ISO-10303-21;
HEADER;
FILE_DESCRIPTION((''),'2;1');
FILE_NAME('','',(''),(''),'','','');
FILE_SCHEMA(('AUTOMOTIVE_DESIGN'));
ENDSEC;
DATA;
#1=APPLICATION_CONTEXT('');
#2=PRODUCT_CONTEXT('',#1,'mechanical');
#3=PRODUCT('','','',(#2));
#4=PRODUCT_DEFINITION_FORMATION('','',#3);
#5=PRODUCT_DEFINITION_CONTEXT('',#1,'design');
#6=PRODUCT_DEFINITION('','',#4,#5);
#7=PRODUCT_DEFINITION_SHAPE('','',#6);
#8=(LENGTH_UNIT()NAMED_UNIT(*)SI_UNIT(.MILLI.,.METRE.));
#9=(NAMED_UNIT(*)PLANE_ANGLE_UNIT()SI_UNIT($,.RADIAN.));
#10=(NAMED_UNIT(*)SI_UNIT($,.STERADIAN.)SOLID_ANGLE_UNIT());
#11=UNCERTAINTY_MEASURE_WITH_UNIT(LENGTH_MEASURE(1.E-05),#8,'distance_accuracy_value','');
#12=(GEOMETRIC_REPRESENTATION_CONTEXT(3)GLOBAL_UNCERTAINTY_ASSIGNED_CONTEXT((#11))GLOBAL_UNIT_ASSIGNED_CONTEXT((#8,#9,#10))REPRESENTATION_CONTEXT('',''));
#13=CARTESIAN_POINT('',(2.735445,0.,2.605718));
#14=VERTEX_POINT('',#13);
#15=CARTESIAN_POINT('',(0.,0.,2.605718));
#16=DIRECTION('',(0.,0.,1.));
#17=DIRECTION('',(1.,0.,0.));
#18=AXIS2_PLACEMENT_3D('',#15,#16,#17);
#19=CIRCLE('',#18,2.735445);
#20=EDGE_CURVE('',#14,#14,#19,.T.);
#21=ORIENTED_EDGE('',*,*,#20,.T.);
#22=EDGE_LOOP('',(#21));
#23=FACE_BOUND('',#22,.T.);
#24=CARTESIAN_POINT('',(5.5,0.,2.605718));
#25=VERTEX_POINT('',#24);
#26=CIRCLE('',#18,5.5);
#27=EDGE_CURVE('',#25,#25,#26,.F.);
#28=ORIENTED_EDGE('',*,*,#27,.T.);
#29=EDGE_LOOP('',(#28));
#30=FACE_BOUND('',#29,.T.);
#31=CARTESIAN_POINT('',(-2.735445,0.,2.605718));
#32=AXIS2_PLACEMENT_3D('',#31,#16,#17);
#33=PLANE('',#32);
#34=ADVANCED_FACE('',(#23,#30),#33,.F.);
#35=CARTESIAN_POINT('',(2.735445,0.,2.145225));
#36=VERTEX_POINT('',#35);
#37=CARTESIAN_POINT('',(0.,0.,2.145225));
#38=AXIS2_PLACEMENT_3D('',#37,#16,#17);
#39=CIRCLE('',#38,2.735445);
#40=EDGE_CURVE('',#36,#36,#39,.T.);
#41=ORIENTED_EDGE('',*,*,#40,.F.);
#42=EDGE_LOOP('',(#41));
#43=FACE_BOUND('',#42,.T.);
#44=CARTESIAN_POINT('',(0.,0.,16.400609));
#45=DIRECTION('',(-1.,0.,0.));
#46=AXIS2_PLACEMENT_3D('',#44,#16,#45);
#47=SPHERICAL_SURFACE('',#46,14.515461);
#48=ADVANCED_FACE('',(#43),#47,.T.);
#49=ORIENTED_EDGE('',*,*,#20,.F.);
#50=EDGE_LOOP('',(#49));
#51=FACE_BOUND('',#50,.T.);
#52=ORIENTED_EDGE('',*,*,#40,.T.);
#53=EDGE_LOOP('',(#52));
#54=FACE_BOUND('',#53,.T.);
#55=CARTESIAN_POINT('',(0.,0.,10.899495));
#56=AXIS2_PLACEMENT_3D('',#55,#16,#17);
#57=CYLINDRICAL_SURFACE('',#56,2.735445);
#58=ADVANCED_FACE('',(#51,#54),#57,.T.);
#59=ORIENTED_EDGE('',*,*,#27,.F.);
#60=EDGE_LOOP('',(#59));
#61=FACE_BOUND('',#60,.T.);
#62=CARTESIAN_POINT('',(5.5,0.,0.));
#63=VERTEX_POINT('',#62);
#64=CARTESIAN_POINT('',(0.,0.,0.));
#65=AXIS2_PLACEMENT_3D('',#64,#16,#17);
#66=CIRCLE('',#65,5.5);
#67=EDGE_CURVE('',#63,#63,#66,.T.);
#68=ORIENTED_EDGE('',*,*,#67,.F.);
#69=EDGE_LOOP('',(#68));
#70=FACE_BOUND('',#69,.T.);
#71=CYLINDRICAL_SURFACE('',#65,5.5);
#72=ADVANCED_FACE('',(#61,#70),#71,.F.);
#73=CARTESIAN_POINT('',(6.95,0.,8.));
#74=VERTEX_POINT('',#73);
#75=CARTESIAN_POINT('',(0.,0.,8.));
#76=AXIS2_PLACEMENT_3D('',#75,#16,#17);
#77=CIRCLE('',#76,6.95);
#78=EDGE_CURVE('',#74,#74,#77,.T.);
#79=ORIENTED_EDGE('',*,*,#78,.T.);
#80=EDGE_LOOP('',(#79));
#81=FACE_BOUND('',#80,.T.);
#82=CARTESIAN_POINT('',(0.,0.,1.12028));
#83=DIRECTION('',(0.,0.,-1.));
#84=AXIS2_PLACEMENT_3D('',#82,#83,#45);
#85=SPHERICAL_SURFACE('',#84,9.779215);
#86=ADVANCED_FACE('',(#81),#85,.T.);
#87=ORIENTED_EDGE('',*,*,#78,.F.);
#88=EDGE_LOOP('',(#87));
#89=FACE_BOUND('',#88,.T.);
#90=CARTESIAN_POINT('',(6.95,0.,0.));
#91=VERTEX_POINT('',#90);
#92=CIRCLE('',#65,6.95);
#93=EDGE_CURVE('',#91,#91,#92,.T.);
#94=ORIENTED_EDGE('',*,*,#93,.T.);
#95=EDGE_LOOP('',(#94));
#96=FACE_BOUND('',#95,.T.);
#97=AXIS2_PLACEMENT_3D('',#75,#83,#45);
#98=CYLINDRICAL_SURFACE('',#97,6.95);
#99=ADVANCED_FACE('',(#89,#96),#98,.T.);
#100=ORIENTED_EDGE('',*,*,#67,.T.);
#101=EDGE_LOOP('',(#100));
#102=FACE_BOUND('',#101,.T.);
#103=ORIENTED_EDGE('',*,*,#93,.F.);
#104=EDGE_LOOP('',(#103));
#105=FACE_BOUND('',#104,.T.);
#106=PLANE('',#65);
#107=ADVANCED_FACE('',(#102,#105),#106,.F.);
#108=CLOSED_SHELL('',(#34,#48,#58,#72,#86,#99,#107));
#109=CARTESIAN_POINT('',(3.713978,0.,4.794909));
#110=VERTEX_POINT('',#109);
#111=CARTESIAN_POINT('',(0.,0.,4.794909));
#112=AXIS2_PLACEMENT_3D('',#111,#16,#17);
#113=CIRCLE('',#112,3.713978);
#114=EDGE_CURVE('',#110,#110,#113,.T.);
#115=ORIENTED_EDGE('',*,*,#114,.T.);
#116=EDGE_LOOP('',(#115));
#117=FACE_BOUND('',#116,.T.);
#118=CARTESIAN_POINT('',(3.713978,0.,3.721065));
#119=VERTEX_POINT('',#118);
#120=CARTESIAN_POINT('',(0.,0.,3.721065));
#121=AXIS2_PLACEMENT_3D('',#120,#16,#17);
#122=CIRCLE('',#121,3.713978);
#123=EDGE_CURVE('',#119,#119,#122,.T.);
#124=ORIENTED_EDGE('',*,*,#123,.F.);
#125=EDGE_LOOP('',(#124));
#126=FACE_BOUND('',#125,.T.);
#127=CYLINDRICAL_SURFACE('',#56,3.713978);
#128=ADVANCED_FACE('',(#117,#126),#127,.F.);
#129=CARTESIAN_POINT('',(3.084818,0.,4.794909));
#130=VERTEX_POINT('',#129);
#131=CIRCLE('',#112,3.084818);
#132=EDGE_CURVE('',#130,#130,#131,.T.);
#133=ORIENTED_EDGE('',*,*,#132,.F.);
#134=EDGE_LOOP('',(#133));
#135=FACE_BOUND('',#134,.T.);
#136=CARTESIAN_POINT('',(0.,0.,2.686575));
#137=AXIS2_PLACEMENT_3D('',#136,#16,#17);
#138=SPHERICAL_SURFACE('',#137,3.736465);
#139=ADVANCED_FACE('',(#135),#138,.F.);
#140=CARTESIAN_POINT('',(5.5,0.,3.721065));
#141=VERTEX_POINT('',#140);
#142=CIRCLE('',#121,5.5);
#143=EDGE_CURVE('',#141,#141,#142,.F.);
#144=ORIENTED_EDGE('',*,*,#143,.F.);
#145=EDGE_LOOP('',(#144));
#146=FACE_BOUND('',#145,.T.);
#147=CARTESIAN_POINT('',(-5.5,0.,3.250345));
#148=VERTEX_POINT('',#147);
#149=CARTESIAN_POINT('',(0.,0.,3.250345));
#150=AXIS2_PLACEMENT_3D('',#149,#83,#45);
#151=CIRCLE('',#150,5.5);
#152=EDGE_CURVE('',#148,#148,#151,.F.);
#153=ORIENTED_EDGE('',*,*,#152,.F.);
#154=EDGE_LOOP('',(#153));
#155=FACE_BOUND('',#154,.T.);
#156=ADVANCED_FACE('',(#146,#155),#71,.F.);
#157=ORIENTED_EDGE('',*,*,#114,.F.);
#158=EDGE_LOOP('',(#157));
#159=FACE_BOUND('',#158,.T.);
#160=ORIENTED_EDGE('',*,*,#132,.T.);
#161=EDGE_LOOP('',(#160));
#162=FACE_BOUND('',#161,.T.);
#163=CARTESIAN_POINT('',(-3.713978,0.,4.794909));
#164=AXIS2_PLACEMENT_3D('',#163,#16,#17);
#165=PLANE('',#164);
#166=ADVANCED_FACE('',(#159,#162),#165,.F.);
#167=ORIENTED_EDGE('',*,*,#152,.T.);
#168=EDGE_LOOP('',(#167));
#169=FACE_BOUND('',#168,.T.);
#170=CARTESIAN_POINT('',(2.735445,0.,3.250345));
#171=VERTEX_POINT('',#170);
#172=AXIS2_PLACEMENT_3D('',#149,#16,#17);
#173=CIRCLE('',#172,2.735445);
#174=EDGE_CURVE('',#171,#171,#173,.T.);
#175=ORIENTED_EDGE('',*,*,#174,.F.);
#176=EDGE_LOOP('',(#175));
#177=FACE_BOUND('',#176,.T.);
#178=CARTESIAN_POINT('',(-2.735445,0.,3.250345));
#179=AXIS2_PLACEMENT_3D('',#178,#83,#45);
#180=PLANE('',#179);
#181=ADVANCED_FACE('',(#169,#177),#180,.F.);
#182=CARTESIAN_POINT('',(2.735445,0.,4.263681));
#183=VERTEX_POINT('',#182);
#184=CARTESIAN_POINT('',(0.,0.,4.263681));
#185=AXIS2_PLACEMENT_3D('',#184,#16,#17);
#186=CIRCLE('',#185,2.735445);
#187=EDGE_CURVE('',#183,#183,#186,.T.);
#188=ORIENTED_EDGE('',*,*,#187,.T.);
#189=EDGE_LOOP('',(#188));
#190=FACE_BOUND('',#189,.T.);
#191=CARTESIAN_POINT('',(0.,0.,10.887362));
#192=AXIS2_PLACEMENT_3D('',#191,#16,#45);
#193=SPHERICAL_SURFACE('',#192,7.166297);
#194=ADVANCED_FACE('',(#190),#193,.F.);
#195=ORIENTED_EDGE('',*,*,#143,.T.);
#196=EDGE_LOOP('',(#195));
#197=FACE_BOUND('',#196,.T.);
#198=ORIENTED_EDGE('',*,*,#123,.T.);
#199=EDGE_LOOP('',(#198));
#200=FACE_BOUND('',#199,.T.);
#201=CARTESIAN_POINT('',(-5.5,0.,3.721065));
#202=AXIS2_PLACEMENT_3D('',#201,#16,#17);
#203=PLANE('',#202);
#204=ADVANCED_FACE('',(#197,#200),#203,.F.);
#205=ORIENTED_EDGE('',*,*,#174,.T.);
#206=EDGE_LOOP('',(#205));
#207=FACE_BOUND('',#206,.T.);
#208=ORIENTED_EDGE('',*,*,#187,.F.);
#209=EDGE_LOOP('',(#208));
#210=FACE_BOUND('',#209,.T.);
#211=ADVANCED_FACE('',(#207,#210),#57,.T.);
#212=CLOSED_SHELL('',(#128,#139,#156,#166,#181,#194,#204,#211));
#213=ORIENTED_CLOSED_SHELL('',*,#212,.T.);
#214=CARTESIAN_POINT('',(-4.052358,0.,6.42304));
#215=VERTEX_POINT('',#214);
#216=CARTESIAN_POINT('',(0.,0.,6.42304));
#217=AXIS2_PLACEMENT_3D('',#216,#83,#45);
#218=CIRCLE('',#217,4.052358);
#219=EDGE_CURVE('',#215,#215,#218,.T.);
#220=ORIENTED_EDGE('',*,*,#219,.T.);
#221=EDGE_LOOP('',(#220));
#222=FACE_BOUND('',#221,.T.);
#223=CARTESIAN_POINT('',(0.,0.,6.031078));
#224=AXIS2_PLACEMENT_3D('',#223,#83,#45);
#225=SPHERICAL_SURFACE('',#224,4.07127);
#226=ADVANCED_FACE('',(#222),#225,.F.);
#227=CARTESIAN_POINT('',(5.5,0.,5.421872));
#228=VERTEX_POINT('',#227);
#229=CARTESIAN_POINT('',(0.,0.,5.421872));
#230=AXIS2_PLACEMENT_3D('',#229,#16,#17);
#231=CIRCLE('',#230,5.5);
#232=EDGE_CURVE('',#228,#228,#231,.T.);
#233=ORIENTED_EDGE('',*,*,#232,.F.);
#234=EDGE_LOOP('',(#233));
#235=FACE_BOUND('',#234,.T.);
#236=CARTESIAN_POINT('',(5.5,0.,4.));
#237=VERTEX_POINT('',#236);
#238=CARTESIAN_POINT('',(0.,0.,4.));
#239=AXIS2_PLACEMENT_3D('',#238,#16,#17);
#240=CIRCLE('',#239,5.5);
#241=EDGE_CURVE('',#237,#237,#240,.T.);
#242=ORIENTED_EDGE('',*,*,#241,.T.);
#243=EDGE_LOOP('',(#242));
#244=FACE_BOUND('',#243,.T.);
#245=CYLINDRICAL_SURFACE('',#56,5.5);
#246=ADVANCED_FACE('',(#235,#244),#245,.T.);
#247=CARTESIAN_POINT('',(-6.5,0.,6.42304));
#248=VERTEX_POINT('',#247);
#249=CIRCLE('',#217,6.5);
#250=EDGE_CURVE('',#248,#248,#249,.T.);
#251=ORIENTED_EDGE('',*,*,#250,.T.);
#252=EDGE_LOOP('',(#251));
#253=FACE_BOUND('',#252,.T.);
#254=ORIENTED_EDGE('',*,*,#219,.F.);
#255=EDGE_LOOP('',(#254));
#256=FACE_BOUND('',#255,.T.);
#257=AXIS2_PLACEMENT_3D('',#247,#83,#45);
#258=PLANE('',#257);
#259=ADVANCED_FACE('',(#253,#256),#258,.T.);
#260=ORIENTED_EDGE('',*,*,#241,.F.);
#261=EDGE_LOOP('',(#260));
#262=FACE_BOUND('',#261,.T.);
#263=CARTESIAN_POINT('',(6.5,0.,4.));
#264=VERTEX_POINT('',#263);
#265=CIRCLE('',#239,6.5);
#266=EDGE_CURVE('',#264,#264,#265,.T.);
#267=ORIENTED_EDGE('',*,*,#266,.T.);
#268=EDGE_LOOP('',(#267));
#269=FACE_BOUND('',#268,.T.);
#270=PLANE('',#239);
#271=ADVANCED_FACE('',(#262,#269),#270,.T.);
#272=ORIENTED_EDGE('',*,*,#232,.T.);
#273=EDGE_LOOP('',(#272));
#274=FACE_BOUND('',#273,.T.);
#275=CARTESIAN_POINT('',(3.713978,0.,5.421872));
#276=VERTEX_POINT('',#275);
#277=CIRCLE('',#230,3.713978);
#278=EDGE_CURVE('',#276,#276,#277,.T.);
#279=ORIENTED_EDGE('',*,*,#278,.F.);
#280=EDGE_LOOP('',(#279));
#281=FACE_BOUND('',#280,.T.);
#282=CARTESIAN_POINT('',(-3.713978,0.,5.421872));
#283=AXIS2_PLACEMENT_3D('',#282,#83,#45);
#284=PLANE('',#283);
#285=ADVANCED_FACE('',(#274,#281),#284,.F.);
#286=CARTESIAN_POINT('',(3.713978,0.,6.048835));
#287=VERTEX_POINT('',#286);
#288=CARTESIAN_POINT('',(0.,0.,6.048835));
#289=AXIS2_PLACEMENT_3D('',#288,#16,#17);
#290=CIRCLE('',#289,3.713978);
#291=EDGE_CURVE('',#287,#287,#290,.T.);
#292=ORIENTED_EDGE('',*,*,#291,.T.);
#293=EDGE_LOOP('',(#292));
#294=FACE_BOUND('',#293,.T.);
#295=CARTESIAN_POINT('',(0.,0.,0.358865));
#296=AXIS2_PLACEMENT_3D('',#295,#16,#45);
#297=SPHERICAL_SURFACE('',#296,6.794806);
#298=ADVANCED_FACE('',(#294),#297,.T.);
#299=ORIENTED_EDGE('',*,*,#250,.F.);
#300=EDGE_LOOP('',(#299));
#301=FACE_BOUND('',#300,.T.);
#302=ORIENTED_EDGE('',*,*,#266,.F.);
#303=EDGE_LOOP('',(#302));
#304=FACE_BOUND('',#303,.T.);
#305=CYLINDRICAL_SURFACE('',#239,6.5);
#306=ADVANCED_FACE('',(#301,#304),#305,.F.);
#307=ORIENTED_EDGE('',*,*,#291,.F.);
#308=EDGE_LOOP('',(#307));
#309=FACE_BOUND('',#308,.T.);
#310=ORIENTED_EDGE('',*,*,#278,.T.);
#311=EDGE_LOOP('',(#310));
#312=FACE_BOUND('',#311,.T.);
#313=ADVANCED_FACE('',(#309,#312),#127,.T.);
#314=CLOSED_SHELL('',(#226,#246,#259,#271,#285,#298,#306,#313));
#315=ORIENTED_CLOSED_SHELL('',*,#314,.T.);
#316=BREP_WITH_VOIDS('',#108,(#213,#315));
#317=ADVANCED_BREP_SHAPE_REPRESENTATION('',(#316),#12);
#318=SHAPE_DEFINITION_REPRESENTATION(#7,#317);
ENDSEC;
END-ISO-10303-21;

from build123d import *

# Parameters (mm, degrees)
ESBO_O1_R                = 6.95
RESSALTO_EXTRUS_O1_DEPTH = 8
ESBO_O2_R                = 6.5
CORTE_EXTRUS_O1_DEPTH    = 4
ESBO_O3_R                = 5.5
CORTE_EXTRUS_O2_DEPTH    = 11.611550311


with BuildPart() as part:
    # Esboço1 → Ressalto-extrusão1 (new body)
    with BuildSketch(Plane.XY):
        Circle(ESBO_O1_R)
    extrude(amount=RESSALTO_EXTRUS_O1_DEPTH)

    # Esboço2 → Corte-extrusão1 (cut)
    with BuildSketch(Plane.XY.offset(8)):
        Circle(ESBO_O2_R)
    extrude(amount=-CORTE_EXTRUS_O1_DEPTH, mode=Mode.SUBTRACT)

    # Esboço3 → Corte-extrusão2 (cut, through all)
    with BuildSketch(Plane.XY.offset(4)):
        Circle(ESBO_O3_R)
    extrude(amount=-CORTE_EXTRUS_O2_DEPTH, mode=Mode.SUBTRACT)

    # Esboço4 → Revolução1 (revolve)
    with BuildSketch(Plane(origin=(0, 0, 0), x_dir=(1, 0, 0), z_dir=(0, 1, 0))):
        with BuildLine():
            Line((-6.95, -8), (-6.5, -8))
            Line((-6.5, -8), (-6.5, -6.423040188))
            Line((-6.5, -6.423040188), (-4.052357622, -6.423040188))
            ThreePointArc((-4.052357622, -6.423040188), (-2.736736603, -9.045296291), (0, -10.10234809))
            Line((0, -10.10234809), (0, -10.899494937))
            ThreePointArc((0, -10.899494937), (-3.765287867, -10.145558539), (-6.95, -8))
        make_face()
    revolve(axis=Axis((0, 0, 0), (0, 0, 1)))

    # Esboço5 → Revolução2 (revolve)
    with BuildSketch(Plane(origin=(0, 0, 0), x_dir=(1, 0, 0), z_dir=(0, 1, 0)), mode=Mode.PRIVATE) as revolu_o2_sk:
        with BuildLine():
            Line((-3.713977707, -5.421872189), (-3.713977707, -6.04883524))
            ThreePointArc((-3.713977707, -6.04883524), (-1.937414068, -6.871607812), (0, -7.153671279))
            Line((0, -7.153671279), (0, -6.423040188))
            ThreePointArc((0, -6.423040188), (-1.744054919, -5.991033293), (-3.084817583, -4.794909137))
            Line((-3.084817583, -4.794909137), (-3.713977707, -4.794909137))
            Line((-3.713977707, -4.794909137), (-3.713977707, -3.721064783))
            Line((-3.713977707, -3.721064783), (-5.5, -3.721064783))
            Line((-5.5, -3.721064783), (-5.5, -5.421872189))
            Line((-5.5, -5.421872189), (-3.713977707, -5.421872189))
        make_face()
    revolve(revolu_o2_sk.sketch.rotate(Axis((0, 0, 10.899494937), (0, 0, -1)), 180), axis=Axis((0, 0, 10.899494937), (0, 0, -1)))

    # Esboço7 → Revolução3 (revolve)
    with BuildSketch(Plane(origin=(0, 0, 0), x_dir=(1, 0, 0), z_dir=(0, 1, 0)), mode=Mode.PRIVATE) as revolu_o3_sk:
        with BuildLine():
            Line((-2.735445453, -4.263680727), (-2.735445453, -3.250344697))
            Line((-2.735445453, -3.250344697), (-5.5, -3.250344697))
            Line((-5.5, -3.250344697), (-5.5, -2.605717645))
            Line((-5.5, -2.605717645), (-2.735445453, -2.605717645))
            Line((-2.735445453, -2.605717645), (-2.735445453, -2.145225421))
            ThreePointArc((-2.735445453, -2.145225421), (-1.373890676, -1.95031325), (0, -1.885147489))
            Line((0, -1.885147489), (0, -3.721064783))
            ThreePointArc((0, -3.721064783), (-1.394372071, -3.858027591), (-2.735445453, -4.263680727))
        make_face()
    revolve(revolu_o3_sk.sketch.rotate(Axis((0, 0, 10.899494937), (0, 0, -1)), 180), axis=Axis((0, 0, 10.899494937), (0, 0, -1)))


solid = part.part
